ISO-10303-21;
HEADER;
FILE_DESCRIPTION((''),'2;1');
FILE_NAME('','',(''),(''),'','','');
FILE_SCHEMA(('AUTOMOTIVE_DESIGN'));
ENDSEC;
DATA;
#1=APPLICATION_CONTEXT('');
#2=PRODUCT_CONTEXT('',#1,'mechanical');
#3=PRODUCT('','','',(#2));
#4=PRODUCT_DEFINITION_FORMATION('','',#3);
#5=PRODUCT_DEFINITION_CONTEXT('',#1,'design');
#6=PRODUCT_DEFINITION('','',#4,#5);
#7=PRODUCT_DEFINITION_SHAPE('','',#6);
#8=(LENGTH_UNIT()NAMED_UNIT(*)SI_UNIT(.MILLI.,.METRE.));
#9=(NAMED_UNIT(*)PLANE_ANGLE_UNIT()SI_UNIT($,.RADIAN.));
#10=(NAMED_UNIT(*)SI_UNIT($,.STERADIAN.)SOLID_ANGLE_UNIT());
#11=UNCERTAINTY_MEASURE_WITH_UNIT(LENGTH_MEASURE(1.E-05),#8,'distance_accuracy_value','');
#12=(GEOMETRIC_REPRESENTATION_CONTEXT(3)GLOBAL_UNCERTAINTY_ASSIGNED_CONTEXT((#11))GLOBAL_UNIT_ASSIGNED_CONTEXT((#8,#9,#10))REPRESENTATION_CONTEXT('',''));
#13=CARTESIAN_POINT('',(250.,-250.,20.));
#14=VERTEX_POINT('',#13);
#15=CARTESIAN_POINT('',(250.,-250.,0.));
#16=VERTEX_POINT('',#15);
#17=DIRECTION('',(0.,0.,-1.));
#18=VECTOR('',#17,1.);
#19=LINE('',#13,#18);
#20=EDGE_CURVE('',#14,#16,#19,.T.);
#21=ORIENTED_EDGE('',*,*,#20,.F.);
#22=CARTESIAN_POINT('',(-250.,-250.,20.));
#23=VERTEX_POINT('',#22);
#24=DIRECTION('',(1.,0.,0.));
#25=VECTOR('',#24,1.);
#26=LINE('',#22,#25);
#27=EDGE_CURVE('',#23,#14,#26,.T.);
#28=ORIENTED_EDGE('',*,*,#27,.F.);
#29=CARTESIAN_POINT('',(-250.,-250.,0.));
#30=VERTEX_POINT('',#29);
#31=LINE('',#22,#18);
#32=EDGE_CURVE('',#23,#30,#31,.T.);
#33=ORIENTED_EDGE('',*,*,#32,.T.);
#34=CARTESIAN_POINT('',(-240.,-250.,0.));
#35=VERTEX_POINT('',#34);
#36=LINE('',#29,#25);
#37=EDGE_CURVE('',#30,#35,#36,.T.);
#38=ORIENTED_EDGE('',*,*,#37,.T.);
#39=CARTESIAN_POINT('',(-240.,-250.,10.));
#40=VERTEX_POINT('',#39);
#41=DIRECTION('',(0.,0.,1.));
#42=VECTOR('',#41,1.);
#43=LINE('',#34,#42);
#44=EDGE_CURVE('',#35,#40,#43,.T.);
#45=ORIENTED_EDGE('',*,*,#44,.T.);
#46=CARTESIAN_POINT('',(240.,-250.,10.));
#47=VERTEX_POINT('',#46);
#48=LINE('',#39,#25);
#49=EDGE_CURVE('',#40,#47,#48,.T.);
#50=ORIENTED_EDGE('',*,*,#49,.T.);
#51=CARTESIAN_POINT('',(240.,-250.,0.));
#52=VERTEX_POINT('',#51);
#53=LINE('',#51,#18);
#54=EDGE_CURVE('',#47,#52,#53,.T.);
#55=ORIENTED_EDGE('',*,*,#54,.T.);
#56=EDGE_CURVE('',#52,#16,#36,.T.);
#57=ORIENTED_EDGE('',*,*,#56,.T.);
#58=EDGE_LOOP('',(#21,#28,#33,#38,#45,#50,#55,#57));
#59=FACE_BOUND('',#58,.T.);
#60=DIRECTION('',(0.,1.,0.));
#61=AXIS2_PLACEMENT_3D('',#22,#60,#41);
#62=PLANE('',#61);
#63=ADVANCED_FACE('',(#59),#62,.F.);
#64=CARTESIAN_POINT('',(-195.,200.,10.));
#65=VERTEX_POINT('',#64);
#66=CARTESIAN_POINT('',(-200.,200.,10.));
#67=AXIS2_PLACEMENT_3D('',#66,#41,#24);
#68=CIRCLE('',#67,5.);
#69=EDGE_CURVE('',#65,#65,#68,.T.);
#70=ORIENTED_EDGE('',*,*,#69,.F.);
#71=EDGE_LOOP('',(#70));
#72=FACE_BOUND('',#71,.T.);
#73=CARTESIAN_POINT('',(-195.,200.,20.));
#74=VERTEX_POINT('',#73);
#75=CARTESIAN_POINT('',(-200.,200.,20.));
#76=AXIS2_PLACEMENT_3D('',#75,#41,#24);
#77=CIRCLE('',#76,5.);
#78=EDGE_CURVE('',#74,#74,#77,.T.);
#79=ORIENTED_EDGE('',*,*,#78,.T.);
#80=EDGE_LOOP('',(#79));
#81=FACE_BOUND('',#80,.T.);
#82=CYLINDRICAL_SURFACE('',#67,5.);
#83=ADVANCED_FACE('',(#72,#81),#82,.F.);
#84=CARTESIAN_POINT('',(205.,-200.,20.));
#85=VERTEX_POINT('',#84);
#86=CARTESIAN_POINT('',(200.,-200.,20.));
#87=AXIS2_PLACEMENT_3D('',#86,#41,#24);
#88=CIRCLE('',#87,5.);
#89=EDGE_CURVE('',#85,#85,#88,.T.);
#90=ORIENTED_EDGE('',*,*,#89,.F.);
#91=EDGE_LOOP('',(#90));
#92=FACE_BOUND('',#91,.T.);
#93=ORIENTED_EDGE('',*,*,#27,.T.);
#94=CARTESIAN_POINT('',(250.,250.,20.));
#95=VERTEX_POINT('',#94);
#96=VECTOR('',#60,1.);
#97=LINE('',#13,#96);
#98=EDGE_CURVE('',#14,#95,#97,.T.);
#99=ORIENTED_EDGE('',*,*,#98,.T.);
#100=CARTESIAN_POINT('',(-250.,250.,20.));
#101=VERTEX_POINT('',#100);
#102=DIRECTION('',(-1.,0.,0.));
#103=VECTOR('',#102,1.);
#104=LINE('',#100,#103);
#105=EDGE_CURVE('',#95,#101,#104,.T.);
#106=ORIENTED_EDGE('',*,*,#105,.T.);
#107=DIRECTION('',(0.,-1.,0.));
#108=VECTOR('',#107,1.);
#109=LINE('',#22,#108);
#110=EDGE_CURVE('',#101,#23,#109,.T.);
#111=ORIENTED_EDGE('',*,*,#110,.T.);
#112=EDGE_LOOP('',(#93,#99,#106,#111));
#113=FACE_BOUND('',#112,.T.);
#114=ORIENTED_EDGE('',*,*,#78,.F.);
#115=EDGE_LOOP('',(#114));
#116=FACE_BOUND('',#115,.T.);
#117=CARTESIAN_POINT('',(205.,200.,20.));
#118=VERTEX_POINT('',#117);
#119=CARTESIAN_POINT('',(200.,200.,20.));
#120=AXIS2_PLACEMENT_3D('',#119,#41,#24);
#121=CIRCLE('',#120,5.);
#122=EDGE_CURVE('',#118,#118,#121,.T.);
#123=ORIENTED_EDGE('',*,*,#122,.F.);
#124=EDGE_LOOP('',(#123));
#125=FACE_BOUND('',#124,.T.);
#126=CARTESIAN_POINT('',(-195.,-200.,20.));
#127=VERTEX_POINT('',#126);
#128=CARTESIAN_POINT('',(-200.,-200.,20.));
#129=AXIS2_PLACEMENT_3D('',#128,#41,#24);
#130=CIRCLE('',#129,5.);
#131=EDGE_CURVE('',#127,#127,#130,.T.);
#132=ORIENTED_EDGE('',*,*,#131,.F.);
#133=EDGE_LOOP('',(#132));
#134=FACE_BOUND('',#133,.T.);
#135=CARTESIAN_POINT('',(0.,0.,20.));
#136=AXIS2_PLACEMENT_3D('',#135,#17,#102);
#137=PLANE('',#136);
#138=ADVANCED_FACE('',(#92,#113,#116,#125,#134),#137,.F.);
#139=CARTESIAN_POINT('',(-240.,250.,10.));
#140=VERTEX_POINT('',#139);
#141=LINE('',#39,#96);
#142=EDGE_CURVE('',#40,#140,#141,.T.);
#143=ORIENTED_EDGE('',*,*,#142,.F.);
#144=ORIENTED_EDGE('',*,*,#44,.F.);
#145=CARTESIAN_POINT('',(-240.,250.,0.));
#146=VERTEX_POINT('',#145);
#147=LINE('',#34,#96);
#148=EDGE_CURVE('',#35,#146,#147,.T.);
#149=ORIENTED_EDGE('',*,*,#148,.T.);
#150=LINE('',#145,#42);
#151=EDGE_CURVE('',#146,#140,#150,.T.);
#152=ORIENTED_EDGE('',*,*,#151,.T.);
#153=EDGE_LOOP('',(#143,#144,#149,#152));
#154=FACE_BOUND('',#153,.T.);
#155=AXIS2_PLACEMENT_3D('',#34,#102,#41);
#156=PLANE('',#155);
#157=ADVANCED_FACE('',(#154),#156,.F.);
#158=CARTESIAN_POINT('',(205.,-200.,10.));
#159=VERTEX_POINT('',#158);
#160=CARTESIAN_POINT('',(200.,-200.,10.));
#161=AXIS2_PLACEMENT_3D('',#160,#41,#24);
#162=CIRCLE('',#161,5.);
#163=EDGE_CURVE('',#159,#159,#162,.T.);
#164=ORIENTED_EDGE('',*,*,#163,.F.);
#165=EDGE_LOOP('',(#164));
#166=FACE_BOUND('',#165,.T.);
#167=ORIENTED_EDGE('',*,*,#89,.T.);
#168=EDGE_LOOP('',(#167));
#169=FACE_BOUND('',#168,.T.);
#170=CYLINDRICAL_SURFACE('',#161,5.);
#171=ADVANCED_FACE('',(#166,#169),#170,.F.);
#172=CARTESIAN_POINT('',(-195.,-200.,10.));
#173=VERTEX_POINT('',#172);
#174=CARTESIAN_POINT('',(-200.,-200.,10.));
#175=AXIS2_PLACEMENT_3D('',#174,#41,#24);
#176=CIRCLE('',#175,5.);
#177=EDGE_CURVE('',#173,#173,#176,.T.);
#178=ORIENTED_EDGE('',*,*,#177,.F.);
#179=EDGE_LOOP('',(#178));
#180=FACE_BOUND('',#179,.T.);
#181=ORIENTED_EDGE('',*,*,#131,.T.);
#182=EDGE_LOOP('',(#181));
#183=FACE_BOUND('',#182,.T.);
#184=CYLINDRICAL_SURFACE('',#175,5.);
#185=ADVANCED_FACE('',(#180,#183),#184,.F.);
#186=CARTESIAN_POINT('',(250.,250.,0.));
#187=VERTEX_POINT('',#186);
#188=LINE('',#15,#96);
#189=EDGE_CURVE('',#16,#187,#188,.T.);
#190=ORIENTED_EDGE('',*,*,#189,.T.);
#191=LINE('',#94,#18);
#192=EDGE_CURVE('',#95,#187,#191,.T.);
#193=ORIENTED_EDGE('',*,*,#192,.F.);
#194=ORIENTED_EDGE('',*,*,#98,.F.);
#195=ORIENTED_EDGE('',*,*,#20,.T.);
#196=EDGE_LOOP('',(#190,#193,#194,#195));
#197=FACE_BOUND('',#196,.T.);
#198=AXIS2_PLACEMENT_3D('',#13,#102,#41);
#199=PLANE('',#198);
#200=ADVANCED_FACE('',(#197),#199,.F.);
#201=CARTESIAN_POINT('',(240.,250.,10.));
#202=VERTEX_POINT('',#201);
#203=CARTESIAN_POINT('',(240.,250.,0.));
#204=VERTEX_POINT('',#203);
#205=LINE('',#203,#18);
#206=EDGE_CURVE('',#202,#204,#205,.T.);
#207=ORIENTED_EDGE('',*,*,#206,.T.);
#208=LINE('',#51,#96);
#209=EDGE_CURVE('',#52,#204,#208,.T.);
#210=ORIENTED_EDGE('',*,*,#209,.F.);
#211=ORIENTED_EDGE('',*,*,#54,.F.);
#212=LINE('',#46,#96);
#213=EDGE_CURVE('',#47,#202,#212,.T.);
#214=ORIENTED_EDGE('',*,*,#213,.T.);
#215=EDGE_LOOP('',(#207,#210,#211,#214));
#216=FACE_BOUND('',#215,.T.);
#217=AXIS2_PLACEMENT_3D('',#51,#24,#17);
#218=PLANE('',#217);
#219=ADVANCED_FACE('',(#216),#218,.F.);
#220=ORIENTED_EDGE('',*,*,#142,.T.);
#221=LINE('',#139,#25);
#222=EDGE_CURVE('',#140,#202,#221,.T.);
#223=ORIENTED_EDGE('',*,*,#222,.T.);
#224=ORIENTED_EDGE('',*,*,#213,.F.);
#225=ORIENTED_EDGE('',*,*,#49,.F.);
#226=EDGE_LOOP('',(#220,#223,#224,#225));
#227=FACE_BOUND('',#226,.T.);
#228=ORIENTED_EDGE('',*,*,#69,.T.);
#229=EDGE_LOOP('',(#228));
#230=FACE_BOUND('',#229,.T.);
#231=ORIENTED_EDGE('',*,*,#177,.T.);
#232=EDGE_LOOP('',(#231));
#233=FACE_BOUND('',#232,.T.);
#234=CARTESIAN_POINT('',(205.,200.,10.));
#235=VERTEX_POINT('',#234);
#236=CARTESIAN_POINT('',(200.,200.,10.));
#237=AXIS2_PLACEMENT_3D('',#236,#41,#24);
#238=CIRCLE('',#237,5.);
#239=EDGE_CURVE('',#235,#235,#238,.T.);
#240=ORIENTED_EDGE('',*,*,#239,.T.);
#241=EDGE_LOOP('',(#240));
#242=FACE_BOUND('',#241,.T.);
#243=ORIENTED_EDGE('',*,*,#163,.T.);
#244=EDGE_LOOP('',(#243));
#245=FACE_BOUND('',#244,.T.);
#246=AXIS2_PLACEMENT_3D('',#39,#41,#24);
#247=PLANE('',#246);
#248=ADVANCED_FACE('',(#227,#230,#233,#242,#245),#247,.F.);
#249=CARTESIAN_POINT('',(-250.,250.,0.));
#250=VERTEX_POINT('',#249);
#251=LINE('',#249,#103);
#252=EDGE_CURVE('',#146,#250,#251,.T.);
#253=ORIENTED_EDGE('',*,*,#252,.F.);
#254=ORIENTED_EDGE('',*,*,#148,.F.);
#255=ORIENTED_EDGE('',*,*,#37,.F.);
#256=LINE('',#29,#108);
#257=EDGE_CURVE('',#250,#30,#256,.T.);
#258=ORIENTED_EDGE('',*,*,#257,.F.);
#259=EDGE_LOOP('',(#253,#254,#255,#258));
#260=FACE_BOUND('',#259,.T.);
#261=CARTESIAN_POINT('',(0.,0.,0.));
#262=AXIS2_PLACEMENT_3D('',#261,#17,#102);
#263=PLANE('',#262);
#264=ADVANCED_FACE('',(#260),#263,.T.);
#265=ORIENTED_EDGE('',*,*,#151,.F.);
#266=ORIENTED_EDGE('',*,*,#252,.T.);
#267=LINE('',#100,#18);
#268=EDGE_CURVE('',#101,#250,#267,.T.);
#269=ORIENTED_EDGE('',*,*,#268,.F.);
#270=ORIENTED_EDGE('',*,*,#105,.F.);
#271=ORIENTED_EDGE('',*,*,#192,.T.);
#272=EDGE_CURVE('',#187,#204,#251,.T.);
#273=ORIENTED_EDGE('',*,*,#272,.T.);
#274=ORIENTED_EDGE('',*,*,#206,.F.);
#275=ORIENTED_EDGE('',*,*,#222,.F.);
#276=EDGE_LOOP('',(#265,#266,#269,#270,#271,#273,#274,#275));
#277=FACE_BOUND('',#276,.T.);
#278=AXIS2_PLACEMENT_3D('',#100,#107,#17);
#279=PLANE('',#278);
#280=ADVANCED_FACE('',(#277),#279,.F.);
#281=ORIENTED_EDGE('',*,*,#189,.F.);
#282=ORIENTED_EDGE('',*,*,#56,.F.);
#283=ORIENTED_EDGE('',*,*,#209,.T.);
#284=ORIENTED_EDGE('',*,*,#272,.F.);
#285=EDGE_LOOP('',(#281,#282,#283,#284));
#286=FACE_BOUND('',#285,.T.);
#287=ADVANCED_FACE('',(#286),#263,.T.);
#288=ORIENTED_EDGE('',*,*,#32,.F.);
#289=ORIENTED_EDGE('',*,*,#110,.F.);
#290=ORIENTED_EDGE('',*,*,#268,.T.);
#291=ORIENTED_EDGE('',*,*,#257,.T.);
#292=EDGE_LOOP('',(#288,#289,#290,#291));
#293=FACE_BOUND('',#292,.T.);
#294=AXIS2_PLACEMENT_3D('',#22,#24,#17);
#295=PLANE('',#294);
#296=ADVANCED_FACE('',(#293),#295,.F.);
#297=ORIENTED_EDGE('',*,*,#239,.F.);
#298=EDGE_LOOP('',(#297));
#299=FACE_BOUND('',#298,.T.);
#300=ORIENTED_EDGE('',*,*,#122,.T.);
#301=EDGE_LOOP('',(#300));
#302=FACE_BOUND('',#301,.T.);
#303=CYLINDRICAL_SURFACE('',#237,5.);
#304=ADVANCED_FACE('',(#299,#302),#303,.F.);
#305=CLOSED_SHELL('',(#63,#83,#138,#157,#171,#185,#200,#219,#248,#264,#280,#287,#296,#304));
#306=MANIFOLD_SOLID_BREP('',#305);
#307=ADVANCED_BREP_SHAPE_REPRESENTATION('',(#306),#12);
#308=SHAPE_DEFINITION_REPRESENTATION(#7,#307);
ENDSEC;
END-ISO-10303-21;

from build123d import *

# Parameters (mm, degrees)
SKETCH1_W           = 500
SKETCH1_H           = 500
BOSS_EXTRUDE1_DEPTH = 20
SKETCH2_W           = 480
SKETCH2_H           = 10
CUT_EXTRUDE1_DEPTH  = 500
SKETCH3_R           = 5
CUT_EXTRUDE2_DEPTH  = 10


with BuildPart() as part:
    # Sketch1 → Boss-Extrude1 (new body)
    with BuildSketch(Plane.XY):
        Rectangle(SKETCH1_W, SKETCH1_H)
    extrude(amount=BOSS_EXTRUDE1_DEPTH)

    # Sketch2 → Cut-Extrude1 (cut)
    with BuildSketch(Plane(origin=(0, 250, 0), x_dir=(1, 0, 0), z_dir=(0, 1, 0))):
        with Locations((0, -5)):
            Rectangle(SKETCH2_W, SKETCH2_H)
    extrude(amount=-CUT_EXTRUDE1_DEPTH, mode=Mode.SUBTRACT)

    # Sketch3 → Cut-Extrude2 (cut)
    with BuildSketch(Plane.XY.offset(20)):
        with Locations((-200, 200)):
            Circle(SKETCH3_R)
        with Locations((200, 200)):
            Circle(SKETCH3_R)
        with Locations((-200, -200)):
            Circle(SKETCH3_R)
        with Locations((200, -200)):
            Circle(SKETCH3_R)
    extrude(amount=-CUT_EXTRUDE2_DEPTH, mode=Mode.SUBTRACT)


solid = part.part
